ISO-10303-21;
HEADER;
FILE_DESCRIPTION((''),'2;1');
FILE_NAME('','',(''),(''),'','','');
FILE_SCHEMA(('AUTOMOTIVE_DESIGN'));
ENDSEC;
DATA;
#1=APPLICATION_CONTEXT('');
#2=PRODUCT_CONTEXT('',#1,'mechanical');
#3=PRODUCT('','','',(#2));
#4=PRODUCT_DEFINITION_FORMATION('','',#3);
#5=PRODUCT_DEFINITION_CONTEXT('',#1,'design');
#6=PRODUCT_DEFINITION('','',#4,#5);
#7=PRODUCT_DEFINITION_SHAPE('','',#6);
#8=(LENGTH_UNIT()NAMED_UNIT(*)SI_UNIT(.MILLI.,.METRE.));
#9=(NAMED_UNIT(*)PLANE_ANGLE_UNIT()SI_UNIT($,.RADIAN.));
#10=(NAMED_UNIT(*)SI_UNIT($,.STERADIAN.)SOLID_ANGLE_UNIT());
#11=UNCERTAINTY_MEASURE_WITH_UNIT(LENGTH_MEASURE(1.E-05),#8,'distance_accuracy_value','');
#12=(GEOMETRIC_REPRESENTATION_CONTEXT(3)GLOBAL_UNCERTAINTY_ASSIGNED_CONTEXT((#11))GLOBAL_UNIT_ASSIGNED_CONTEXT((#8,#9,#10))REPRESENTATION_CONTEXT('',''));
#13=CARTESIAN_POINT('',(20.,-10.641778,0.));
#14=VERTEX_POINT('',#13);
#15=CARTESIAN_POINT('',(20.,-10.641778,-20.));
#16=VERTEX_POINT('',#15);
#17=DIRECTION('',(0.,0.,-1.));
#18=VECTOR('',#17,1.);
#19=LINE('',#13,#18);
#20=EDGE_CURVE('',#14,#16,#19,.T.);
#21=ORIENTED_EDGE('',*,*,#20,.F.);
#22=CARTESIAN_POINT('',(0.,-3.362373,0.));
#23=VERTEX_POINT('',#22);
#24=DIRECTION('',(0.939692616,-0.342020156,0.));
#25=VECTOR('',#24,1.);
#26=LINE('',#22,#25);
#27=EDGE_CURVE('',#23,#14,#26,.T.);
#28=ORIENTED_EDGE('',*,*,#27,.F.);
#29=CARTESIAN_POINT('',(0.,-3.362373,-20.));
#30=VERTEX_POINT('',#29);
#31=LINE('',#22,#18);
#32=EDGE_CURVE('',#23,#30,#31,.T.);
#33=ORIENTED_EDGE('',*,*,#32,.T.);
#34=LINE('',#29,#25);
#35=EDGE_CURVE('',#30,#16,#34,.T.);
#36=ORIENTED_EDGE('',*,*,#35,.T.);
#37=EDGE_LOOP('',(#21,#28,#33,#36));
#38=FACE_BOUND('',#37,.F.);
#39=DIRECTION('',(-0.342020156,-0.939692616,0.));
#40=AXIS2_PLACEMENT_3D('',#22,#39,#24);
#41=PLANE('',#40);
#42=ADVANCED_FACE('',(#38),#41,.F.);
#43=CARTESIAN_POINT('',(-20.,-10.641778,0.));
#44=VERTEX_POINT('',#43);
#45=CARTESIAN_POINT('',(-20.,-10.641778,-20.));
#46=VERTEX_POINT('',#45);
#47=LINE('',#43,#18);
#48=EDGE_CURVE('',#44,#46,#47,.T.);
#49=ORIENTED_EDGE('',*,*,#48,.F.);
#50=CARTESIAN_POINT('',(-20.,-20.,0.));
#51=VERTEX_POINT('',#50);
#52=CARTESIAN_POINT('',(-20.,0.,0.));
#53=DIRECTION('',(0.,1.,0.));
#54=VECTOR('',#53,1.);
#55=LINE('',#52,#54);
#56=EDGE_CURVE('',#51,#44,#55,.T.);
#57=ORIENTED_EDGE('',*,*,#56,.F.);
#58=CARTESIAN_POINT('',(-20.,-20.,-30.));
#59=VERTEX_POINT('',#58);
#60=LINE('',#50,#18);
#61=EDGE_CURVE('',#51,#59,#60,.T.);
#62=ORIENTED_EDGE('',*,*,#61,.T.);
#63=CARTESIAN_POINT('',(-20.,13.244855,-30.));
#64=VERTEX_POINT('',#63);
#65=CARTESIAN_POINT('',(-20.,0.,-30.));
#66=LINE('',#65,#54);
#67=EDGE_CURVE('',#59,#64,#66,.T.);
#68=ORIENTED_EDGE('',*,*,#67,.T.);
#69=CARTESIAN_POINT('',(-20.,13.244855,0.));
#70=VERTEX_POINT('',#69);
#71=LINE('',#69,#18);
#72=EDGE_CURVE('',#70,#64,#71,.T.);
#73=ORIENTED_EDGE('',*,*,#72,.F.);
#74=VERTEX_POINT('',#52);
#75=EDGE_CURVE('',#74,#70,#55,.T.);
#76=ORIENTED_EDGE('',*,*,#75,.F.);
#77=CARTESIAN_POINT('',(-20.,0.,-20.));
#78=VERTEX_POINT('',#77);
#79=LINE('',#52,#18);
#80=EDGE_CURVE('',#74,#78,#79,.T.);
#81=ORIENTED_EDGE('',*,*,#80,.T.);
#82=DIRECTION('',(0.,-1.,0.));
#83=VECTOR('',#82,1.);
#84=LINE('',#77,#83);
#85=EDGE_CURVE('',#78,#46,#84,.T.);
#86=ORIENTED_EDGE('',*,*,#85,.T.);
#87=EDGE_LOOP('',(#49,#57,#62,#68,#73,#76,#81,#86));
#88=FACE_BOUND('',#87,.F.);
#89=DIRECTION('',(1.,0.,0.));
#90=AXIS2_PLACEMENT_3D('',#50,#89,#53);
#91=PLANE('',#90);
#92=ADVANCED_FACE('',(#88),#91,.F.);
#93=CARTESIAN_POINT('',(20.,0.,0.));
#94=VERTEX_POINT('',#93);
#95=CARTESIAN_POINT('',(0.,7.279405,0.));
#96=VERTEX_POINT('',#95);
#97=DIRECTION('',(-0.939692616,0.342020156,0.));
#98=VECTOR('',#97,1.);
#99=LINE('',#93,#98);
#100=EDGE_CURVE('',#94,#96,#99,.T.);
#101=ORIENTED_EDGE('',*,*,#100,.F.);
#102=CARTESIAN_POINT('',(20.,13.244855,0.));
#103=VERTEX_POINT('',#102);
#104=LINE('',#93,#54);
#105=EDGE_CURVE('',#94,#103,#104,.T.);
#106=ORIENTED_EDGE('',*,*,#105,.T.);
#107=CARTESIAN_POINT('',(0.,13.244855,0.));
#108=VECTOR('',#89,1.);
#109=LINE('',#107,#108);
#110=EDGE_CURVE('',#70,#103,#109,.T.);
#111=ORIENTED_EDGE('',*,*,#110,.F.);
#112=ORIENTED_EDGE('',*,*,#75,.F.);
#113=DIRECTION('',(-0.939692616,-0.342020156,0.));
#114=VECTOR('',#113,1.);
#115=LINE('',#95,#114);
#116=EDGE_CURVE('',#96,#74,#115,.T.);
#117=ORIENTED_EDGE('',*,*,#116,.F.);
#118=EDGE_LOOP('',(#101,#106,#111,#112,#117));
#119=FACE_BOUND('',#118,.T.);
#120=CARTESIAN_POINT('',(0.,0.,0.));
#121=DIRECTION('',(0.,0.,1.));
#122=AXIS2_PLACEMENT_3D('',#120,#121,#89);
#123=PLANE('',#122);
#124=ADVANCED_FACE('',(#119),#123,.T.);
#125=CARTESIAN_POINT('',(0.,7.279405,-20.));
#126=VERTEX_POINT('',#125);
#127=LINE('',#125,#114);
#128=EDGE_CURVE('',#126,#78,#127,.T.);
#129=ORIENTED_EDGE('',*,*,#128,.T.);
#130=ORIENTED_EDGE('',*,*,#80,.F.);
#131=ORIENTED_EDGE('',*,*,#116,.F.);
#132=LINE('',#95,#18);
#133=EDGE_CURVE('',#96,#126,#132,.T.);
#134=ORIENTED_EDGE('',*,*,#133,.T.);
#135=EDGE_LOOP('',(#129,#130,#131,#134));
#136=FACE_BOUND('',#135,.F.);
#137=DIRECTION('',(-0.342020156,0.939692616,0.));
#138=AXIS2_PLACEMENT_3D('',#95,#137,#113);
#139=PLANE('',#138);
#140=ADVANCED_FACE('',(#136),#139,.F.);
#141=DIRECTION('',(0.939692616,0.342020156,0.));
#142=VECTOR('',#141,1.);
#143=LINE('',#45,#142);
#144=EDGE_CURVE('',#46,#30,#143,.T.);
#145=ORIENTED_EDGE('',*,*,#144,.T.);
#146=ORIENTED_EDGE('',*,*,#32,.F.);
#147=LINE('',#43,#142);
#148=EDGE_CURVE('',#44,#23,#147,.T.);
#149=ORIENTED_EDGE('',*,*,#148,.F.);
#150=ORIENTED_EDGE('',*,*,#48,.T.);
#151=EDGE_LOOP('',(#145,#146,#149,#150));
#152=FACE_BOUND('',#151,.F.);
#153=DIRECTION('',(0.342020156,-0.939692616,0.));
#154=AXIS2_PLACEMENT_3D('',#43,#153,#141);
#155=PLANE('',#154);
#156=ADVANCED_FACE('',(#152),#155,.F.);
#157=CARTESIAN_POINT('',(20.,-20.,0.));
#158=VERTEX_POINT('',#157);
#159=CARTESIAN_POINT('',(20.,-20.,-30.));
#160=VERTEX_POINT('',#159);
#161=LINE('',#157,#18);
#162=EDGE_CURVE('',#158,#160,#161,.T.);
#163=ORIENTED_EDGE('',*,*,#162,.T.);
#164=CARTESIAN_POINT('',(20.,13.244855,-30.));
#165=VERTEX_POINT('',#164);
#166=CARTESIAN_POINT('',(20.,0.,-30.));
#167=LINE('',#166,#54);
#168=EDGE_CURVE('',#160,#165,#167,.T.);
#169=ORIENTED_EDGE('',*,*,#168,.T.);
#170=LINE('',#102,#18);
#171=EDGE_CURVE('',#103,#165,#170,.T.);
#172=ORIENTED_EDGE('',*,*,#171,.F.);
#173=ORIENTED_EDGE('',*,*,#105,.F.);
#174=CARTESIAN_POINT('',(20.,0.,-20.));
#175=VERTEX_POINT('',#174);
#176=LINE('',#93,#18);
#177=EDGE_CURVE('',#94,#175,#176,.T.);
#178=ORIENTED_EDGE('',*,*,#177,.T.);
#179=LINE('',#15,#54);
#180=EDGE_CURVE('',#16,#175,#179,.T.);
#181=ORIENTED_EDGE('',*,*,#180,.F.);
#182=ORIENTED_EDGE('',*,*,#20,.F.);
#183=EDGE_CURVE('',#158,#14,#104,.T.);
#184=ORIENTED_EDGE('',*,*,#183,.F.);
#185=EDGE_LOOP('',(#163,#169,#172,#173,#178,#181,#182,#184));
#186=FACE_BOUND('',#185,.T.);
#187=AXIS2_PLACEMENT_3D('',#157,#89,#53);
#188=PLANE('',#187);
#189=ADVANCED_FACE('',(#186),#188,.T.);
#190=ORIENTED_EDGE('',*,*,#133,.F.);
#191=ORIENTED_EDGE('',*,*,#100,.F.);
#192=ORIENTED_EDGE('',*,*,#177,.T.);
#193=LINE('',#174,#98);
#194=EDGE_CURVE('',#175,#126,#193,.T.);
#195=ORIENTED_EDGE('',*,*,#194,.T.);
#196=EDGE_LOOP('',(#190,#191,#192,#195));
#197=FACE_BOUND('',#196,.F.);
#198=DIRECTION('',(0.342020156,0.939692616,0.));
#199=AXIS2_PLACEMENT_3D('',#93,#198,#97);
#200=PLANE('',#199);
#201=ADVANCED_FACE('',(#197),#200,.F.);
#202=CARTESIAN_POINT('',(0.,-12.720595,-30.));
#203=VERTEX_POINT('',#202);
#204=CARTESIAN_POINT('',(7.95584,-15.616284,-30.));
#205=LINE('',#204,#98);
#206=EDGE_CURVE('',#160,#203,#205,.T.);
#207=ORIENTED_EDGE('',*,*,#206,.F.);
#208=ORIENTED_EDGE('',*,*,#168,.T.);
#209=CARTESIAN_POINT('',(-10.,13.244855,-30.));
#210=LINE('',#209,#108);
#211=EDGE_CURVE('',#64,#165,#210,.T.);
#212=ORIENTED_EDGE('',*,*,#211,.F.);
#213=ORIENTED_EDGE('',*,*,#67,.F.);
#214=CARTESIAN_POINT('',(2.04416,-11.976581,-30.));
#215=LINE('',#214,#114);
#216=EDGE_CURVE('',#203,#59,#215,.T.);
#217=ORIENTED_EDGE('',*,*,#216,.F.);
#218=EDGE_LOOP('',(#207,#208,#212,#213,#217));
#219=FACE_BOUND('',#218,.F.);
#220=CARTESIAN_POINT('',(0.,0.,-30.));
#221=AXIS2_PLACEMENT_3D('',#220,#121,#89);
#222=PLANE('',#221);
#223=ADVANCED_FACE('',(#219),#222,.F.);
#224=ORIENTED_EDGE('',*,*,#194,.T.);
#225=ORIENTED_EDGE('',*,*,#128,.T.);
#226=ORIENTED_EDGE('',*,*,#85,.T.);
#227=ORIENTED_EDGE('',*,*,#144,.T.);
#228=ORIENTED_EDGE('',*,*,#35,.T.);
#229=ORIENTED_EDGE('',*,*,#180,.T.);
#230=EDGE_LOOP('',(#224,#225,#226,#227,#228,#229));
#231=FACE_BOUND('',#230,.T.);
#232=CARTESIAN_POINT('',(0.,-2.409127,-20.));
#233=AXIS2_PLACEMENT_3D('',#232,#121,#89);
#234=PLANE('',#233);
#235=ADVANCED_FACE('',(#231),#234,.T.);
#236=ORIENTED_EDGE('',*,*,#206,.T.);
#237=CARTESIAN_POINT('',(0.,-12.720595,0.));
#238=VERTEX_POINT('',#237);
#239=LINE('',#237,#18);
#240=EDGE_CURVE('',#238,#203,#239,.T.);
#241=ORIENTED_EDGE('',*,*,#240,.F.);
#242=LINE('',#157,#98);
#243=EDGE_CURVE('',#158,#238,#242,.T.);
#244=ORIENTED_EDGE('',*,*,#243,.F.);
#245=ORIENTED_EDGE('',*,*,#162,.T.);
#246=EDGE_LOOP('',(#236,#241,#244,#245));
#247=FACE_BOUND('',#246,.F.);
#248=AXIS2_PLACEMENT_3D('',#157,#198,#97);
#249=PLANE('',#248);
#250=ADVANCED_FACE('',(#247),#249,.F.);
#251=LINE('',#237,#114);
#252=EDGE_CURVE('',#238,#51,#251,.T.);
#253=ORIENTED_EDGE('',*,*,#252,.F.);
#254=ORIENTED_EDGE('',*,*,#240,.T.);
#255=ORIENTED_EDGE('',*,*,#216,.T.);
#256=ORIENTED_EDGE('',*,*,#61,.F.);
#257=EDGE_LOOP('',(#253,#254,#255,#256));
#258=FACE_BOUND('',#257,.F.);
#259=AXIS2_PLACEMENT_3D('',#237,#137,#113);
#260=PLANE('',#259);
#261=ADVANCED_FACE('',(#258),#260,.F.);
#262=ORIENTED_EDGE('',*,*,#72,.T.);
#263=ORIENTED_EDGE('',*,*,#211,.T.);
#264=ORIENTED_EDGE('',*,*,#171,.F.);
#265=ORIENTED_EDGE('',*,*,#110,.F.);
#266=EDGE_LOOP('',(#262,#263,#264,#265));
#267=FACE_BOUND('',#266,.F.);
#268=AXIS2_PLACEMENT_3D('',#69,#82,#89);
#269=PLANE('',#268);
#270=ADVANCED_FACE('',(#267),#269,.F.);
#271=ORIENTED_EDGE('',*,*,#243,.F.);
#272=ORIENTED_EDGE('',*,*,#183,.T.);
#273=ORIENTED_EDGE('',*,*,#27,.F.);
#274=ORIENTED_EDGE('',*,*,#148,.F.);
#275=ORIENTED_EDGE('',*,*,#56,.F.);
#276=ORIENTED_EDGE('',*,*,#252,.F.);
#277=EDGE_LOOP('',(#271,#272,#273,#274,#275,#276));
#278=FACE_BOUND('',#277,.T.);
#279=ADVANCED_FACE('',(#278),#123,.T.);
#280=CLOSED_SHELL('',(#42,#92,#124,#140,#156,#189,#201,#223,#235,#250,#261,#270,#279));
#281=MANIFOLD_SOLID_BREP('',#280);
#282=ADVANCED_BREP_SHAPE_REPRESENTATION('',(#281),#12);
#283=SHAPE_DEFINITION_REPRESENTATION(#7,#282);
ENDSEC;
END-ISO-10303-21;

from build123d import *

# Parameters (mm, degrees)
F0_W     = 40
F0_H     = 40
F1_DEPTH = 30
F3_DEPTH = 20
F2_W     = 40
F2_H     = 6.755145
F4_DEPTH = 30.001


with BuildPart() as f1:
    # F0 (on Top) → F1 (new body)
    with BuildSketch(Plane.XY):
        Rectangle(F0_W, F0_H)
    extrude(amount=-F1_DEPTH)

    # F2 (on face) → F3 (cut)
    with BuildSketch(Plane.XY):
        Polygon((20, -10.641778), (20, 0), (0, 7.279405), (-20, 0), (-20, -10.641778), (0, -3.362373), align=None)
    extrude(amount=-F3_DEPTH, mode=Mode.SUBTRACT)

    # F2 (on face) → F4 (cut, through all)
    with BuildSketch(Plane.XY):
        Polygon((-20, -20), (20, -20), (0, -12.720595), align=None)
        with Locations((0, 16.622428)):
            Rectangle(F2_W, F2_H)
    extrude(amount=-F4_DEPTH, mode=Mode.SUBTRACT)


solid = f1.part
